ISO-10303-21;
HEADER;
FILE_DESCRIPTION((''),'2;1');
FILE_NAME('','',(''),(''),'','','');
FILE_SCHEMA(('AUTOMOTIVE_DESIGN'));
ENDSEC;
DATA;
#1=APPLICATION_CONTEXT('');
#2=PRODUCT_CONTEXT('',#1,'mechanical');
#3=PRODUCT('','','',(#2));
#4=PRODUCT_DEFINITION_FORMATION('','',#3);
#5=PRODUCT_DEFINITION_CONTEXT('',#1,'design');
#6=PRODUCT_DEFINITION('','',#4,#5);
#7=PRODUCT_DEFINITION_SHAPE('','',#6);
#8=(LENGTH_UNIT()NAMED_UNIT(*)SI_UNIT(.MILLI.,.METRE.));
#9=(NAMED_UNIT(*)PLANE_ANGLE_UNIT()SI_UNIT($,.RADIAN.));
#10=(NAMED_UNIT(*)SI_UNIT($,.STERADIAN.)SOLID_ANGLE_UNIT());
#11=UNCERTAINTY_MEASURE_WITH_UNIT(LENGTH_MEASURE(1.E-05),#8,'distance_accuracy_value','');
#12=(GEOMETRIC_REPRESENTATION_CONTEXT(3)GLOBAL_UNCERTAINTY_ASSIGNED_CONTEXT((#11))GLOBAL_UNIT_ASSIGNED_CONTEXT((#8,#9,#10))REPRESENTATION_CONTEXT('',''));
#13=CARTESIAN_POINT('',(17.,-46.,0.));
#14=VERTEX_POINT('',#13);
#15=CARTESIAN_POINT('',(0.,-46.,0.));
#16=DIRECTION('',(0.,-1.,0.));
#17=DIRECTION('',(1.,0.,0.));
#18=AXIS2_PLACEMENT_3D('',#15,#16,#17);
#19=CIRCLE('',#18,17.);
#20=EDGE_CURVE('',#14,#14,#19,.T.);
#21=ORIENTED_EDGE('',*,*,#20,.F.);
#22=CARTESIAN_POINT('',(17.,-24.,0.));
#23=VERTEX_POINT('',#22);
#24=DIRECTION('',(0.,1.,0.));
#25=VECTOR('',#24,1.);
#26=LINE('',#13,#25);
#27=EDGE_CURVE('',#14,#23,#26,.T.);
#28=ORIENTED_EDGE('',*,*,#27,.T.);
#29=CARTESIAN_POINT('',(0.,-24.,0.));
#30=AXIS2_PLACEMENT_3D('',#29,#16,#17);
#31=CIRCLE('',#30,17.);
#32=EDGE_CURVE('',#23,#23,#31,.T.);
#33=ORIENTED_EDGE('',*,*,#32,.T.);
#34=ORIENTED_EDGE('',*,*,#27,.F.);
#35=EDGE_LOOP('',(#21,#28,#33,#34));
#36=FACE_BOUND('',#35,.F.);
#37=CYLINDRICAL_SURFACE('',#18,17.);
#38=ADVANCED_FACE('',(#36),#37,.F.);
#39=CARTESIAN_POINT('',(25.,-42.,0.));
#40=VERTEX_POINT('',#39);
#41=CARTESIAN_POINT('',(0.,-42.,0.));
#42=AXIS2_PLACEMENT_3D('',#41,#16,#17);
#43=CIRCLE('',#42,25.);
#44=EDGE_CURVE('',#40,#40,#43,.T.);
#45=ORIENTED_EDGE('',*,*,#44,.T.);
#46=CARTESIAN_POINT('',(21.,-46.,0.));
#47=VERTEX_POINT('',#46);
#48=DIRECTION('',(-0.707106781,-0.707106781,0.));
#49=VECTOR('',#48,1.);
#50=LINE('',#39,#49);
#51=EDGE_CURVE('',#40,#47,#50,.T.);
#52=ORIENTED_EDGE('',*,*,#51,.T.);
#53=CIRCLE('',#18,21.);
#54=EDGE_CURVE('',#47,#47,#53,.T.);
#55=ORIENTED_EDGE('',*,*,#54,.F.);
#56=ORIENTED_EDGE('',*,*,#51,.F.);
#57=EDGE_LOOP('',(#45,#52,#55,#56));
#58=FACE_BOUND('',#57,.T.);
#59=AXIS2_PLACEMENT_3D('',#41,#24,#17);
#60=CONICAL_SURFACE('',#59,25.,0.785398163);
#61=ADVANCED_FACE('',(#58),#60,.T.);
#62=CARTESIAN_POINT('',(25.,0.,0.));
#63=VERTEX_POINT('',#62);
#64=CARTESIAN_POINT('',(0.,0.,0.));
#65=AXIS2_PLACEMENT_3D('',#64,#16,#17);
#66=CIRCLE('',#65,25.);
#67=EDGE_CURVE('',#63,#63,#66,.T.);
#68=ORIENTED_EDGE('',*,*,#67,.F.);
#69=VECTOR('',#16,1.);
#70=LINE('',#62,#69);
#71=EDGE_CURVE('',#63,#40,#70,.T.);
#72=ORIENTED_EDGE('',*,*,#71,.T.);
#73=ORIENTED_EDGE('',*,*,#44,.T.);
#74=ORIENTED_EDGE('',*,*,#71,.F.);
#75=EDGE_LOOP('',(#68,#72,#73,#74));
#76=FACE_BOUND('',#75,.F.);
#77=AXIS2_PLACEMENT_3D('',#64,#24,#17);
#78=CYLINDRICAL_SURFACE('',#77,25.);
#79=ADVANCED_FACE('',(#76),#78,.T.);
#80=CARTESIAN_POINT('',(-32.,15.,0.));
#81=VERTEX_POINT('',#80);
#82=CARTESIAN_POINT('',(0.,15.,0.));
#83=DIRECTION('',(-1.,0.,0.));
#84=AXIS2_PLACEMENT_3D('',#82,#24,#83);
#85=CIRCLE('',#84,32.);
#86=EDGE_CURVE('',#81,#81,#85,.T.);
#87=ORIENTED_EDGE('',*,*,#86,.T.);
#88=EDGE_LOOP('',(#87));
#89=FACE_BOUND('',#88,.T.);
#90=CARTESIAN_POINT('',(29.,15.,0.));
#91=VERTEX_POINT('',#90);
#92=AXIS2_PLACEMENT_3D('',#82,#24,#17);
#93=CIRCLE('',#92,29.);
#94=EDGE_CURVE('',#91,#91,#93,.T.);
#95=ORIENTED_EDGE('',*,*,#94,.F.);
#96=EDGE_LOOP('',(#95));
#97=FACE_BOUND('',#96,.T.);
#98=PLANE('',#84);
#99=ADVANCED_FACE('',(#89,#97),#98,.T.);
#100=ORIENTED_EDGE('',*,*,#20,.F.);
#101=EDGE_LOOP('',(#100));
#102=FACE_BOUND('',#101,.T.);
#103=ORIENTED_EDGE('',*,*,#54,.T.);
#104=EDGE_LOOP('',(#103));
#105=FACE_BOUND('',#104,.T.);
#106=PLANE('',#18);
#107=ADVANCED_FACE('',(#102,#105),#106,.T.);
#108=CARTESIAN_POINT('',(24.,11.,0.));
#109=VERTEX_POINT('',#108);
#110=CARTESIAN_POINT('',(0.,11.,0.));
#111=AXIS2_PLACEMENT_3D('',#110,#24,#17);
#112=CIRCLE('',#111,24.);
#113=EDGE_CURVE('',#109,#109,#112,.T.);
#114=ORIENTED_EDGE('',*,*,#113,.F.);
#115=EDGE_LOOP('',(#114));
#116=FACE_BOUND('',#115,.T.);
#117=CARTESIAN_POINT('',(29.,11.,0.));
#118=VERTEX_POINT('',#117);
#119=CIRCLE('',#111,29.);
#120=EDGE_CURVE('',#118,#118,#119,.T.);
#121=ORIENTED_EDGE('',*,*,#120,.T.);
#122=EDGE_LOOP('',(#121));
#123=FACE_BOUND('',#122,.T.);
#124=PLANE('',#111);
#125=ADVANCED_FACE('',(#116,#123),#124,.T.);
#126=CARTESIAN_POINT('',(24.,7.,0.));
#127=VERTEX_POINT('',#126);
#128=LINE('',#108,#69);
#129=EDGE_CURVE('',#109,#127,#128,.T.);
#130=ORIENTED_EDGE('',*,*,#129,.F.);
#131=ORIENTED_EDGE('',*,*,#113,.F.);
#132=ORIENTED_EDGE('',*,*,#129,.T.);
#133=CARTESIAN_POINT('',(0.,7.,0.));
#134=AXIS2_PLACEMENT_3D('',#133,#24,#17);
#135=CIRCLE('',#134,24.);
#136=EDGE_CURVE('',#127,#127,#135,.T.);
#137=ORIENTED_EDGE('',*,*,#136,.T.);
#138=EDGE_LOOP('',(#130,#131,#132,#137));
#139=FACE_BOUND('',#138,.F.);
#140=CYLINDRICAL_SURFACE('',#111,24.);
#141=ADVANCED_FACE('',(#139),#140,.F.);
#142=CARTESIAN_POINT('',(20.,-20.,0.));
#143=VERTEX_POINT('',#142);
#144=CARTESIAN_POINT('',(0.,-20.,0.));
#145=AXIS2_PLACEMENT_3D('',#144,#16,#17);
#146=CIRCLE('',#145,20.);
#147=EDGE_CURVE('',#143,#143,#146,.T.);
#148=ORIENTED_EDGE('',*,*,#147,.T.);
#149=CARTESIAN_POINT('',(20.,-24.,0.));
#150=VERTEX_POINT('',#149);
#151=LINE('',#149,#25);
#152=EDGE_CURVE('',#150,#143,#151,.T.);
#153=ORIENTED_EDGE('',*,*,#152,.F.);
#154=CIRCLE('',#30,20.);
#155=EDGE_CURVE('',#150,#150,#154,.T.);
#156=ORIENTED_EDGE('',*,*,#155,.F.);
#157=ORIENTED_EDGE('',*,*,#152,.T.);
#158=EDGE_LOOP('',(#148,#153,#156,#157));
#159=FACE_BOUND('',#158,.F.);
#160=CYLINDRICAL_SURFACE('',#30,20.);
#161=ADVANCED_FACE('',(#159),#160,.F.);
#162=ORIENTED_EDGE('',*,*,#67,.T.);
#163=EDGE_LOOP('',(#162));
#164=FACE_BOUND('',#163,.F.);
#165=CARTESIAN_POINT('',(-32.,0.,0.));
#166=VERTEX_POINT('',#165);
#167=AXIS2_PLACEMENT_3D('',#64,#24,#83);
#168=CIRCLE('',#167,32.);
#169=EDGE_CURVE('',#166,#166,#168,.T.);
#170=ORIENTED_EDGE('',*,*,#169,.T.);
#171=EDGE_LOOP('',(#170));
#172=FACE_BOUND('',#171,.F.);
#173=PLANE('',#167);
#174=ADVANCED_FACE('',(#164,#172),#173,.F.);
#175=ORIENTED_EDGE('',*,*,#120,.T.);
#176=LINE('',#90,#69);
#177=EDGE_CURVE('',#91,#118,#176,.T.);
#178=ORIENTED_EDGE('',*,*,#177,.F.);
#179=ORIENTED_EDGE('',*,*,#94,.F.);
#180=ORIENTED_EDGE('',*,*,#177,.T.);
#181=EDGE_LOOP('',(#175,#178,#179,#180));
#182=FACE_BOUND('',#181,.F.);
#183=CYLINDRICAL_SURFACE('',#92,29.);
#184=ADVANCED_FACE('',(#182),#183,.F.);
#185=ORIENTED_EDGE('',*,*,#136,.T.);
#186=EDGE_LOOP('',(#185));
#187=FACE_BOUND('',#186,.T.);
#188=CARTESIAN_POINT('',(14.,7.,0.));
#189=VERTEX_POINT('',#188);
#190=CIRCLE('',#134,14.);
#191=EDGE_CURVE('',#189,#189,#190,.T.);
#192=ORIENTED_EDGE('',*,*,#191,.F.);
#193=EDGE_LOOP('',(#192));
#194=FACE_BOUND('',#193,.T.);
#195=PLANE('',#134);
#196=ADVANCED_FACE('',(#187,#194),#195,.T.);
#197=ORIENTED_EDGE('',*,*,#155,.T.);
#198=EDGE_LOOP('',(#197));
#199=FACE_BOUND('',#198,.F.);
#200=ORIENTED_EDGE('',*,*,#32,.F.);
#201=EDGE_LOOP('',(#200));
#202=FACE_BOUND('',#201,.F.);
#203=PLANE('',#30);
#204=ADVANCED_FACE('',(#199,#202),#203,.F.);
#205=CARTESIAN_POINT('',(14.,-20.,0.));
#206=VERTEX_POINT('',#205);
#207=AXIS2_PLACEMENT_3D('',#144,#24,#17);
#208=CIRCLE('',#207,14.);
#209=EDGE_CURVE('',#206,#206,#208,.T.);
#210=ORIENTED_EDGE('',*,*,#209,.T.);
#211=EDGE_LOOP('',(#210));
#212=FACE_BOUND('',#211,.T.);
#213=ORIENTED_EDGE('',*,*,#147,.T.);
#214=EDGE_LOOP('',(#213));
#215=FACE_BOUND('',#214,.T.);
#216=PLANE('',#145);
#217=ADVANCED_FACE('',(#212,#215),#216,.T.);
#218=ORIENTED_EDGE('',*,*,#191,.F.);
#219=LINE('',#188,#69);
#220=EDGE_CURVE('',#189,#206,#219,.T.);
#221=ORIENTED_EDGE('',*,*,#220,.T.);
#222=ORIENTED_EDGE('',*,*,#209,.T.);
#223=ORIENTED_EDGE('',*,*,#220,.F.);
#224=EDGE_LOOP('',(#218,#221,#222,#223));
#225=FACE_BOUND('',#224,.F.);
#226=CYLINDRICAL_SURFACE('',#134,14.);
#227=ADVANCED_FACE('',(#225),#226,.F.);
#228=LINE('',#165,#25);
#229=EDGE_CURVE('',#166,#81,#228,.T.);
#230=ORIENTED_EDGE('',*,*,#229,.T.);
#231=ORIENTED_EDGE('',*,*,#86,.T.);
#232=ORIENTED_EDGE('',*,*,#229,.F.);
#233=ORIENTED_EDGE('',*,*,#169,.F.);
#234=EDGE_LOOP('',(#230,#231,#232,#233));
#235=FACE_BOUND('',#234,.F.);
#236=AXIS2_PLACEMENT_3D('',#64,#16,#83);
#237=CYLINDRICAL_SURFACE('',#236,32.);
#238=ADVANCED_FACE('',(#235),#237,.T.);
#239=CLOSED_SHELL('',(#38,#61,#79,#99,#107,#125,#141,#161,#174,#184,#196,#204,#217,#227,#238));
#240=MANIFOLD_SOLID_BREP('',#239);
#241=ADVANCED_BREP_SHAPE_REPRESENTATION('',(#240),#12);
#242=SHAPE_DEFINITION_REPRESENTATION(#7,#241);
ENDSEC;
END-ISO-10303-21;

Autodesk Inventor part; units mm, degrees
ref_plane "YZ Plane" through (0, 0, 0) normal (1, 0, 0) x (0, 1, 0)
ref_plane "XZ Plane" through (0, 0, 0) normal (0, 1, 0) x (-1, 0, 0)
ref_plane "XY Plane" through (0, 0, 0) normal (0, 0, 1) x (1, 0, 0)
sketch "Sketch1" plane through (0, 0, 0) normal (0, 1, 0) x (-1, 0, 0)
  circle A0 centre (0, 0) radius 32
  dimension "d0" = 64
extrude "Extrusion1" add sketch "Sketch1" along normal blind 15
sketch "Sketch2" plane through (0, 15, 0) normal (0, 1, 0) x (1, 0, 0)
  point P0 (0, 0)
sketch "Sketch3" plane through (0, 0, 0) normal (0, -1, 0) x (1, 0, 0)
  circle A0 centre (0, 0) radius 25
  dimension "d3" = 50
extrude "Extrusion2" add sketch "Sketch3" along normal blind 46
sketch "Sketch4" plane through (0, 15, 0) normal (0, 1, 0) x (1, 0, 0)
  circle A0 centre (0, 0) radius 29
  dimension "d6" = 58
extrude "Extrusion3" cut sketch "Sketch4" against normal blind 4
sketch "Sketch5" plane through (0, 11, 0) normal (0, 1, 0) x (1, 0, 0)
  circle A0 centre (0, 0) radius 24
  dimension "d9" = 48
extrude "Extrusion4" cut sketch "Sketch5" against normal blind 4
sketch "Sketch6" plane through (0, 7, 0) normal (0, 1, 0) x (1, 0, 0)
  point P0 (0, 0)
sketch "Sketch7" plane through (0, -46, 0) normal (0, -1, 0) x (1, 0, 0)
  circle A0 centre (0, 0) radius 17
  dimension "d12" = 34
extrude "Extrusion5" cut sketch "Sketch7" against normal blind 22
sketch "Sketch8" plane through (0, -24, 0) normal (0, -1, 0) x (1, 0, 0)
  circle A0 centre (0, 0) radius 20
  dimension "d15" = 40
extrude "Extrusion6" cut sketch "Sketch8" against normal blind 4
sketch "Sketch9" plane through (0, 7, 0) normal (0, 1, 0) x (1, 0, 0)
  circle A0 centre (0, 0) radius 14
  dimension "d18" = 28
extrude "Extrusion7" cut sketch "Sketch9" against normal blind 27
chamfer "Chamfer1" distance 4 angle 45 1 edges at (-25, -46, 0)
properties part number "00.32.002 \"Fitting\"" material "Steel"
